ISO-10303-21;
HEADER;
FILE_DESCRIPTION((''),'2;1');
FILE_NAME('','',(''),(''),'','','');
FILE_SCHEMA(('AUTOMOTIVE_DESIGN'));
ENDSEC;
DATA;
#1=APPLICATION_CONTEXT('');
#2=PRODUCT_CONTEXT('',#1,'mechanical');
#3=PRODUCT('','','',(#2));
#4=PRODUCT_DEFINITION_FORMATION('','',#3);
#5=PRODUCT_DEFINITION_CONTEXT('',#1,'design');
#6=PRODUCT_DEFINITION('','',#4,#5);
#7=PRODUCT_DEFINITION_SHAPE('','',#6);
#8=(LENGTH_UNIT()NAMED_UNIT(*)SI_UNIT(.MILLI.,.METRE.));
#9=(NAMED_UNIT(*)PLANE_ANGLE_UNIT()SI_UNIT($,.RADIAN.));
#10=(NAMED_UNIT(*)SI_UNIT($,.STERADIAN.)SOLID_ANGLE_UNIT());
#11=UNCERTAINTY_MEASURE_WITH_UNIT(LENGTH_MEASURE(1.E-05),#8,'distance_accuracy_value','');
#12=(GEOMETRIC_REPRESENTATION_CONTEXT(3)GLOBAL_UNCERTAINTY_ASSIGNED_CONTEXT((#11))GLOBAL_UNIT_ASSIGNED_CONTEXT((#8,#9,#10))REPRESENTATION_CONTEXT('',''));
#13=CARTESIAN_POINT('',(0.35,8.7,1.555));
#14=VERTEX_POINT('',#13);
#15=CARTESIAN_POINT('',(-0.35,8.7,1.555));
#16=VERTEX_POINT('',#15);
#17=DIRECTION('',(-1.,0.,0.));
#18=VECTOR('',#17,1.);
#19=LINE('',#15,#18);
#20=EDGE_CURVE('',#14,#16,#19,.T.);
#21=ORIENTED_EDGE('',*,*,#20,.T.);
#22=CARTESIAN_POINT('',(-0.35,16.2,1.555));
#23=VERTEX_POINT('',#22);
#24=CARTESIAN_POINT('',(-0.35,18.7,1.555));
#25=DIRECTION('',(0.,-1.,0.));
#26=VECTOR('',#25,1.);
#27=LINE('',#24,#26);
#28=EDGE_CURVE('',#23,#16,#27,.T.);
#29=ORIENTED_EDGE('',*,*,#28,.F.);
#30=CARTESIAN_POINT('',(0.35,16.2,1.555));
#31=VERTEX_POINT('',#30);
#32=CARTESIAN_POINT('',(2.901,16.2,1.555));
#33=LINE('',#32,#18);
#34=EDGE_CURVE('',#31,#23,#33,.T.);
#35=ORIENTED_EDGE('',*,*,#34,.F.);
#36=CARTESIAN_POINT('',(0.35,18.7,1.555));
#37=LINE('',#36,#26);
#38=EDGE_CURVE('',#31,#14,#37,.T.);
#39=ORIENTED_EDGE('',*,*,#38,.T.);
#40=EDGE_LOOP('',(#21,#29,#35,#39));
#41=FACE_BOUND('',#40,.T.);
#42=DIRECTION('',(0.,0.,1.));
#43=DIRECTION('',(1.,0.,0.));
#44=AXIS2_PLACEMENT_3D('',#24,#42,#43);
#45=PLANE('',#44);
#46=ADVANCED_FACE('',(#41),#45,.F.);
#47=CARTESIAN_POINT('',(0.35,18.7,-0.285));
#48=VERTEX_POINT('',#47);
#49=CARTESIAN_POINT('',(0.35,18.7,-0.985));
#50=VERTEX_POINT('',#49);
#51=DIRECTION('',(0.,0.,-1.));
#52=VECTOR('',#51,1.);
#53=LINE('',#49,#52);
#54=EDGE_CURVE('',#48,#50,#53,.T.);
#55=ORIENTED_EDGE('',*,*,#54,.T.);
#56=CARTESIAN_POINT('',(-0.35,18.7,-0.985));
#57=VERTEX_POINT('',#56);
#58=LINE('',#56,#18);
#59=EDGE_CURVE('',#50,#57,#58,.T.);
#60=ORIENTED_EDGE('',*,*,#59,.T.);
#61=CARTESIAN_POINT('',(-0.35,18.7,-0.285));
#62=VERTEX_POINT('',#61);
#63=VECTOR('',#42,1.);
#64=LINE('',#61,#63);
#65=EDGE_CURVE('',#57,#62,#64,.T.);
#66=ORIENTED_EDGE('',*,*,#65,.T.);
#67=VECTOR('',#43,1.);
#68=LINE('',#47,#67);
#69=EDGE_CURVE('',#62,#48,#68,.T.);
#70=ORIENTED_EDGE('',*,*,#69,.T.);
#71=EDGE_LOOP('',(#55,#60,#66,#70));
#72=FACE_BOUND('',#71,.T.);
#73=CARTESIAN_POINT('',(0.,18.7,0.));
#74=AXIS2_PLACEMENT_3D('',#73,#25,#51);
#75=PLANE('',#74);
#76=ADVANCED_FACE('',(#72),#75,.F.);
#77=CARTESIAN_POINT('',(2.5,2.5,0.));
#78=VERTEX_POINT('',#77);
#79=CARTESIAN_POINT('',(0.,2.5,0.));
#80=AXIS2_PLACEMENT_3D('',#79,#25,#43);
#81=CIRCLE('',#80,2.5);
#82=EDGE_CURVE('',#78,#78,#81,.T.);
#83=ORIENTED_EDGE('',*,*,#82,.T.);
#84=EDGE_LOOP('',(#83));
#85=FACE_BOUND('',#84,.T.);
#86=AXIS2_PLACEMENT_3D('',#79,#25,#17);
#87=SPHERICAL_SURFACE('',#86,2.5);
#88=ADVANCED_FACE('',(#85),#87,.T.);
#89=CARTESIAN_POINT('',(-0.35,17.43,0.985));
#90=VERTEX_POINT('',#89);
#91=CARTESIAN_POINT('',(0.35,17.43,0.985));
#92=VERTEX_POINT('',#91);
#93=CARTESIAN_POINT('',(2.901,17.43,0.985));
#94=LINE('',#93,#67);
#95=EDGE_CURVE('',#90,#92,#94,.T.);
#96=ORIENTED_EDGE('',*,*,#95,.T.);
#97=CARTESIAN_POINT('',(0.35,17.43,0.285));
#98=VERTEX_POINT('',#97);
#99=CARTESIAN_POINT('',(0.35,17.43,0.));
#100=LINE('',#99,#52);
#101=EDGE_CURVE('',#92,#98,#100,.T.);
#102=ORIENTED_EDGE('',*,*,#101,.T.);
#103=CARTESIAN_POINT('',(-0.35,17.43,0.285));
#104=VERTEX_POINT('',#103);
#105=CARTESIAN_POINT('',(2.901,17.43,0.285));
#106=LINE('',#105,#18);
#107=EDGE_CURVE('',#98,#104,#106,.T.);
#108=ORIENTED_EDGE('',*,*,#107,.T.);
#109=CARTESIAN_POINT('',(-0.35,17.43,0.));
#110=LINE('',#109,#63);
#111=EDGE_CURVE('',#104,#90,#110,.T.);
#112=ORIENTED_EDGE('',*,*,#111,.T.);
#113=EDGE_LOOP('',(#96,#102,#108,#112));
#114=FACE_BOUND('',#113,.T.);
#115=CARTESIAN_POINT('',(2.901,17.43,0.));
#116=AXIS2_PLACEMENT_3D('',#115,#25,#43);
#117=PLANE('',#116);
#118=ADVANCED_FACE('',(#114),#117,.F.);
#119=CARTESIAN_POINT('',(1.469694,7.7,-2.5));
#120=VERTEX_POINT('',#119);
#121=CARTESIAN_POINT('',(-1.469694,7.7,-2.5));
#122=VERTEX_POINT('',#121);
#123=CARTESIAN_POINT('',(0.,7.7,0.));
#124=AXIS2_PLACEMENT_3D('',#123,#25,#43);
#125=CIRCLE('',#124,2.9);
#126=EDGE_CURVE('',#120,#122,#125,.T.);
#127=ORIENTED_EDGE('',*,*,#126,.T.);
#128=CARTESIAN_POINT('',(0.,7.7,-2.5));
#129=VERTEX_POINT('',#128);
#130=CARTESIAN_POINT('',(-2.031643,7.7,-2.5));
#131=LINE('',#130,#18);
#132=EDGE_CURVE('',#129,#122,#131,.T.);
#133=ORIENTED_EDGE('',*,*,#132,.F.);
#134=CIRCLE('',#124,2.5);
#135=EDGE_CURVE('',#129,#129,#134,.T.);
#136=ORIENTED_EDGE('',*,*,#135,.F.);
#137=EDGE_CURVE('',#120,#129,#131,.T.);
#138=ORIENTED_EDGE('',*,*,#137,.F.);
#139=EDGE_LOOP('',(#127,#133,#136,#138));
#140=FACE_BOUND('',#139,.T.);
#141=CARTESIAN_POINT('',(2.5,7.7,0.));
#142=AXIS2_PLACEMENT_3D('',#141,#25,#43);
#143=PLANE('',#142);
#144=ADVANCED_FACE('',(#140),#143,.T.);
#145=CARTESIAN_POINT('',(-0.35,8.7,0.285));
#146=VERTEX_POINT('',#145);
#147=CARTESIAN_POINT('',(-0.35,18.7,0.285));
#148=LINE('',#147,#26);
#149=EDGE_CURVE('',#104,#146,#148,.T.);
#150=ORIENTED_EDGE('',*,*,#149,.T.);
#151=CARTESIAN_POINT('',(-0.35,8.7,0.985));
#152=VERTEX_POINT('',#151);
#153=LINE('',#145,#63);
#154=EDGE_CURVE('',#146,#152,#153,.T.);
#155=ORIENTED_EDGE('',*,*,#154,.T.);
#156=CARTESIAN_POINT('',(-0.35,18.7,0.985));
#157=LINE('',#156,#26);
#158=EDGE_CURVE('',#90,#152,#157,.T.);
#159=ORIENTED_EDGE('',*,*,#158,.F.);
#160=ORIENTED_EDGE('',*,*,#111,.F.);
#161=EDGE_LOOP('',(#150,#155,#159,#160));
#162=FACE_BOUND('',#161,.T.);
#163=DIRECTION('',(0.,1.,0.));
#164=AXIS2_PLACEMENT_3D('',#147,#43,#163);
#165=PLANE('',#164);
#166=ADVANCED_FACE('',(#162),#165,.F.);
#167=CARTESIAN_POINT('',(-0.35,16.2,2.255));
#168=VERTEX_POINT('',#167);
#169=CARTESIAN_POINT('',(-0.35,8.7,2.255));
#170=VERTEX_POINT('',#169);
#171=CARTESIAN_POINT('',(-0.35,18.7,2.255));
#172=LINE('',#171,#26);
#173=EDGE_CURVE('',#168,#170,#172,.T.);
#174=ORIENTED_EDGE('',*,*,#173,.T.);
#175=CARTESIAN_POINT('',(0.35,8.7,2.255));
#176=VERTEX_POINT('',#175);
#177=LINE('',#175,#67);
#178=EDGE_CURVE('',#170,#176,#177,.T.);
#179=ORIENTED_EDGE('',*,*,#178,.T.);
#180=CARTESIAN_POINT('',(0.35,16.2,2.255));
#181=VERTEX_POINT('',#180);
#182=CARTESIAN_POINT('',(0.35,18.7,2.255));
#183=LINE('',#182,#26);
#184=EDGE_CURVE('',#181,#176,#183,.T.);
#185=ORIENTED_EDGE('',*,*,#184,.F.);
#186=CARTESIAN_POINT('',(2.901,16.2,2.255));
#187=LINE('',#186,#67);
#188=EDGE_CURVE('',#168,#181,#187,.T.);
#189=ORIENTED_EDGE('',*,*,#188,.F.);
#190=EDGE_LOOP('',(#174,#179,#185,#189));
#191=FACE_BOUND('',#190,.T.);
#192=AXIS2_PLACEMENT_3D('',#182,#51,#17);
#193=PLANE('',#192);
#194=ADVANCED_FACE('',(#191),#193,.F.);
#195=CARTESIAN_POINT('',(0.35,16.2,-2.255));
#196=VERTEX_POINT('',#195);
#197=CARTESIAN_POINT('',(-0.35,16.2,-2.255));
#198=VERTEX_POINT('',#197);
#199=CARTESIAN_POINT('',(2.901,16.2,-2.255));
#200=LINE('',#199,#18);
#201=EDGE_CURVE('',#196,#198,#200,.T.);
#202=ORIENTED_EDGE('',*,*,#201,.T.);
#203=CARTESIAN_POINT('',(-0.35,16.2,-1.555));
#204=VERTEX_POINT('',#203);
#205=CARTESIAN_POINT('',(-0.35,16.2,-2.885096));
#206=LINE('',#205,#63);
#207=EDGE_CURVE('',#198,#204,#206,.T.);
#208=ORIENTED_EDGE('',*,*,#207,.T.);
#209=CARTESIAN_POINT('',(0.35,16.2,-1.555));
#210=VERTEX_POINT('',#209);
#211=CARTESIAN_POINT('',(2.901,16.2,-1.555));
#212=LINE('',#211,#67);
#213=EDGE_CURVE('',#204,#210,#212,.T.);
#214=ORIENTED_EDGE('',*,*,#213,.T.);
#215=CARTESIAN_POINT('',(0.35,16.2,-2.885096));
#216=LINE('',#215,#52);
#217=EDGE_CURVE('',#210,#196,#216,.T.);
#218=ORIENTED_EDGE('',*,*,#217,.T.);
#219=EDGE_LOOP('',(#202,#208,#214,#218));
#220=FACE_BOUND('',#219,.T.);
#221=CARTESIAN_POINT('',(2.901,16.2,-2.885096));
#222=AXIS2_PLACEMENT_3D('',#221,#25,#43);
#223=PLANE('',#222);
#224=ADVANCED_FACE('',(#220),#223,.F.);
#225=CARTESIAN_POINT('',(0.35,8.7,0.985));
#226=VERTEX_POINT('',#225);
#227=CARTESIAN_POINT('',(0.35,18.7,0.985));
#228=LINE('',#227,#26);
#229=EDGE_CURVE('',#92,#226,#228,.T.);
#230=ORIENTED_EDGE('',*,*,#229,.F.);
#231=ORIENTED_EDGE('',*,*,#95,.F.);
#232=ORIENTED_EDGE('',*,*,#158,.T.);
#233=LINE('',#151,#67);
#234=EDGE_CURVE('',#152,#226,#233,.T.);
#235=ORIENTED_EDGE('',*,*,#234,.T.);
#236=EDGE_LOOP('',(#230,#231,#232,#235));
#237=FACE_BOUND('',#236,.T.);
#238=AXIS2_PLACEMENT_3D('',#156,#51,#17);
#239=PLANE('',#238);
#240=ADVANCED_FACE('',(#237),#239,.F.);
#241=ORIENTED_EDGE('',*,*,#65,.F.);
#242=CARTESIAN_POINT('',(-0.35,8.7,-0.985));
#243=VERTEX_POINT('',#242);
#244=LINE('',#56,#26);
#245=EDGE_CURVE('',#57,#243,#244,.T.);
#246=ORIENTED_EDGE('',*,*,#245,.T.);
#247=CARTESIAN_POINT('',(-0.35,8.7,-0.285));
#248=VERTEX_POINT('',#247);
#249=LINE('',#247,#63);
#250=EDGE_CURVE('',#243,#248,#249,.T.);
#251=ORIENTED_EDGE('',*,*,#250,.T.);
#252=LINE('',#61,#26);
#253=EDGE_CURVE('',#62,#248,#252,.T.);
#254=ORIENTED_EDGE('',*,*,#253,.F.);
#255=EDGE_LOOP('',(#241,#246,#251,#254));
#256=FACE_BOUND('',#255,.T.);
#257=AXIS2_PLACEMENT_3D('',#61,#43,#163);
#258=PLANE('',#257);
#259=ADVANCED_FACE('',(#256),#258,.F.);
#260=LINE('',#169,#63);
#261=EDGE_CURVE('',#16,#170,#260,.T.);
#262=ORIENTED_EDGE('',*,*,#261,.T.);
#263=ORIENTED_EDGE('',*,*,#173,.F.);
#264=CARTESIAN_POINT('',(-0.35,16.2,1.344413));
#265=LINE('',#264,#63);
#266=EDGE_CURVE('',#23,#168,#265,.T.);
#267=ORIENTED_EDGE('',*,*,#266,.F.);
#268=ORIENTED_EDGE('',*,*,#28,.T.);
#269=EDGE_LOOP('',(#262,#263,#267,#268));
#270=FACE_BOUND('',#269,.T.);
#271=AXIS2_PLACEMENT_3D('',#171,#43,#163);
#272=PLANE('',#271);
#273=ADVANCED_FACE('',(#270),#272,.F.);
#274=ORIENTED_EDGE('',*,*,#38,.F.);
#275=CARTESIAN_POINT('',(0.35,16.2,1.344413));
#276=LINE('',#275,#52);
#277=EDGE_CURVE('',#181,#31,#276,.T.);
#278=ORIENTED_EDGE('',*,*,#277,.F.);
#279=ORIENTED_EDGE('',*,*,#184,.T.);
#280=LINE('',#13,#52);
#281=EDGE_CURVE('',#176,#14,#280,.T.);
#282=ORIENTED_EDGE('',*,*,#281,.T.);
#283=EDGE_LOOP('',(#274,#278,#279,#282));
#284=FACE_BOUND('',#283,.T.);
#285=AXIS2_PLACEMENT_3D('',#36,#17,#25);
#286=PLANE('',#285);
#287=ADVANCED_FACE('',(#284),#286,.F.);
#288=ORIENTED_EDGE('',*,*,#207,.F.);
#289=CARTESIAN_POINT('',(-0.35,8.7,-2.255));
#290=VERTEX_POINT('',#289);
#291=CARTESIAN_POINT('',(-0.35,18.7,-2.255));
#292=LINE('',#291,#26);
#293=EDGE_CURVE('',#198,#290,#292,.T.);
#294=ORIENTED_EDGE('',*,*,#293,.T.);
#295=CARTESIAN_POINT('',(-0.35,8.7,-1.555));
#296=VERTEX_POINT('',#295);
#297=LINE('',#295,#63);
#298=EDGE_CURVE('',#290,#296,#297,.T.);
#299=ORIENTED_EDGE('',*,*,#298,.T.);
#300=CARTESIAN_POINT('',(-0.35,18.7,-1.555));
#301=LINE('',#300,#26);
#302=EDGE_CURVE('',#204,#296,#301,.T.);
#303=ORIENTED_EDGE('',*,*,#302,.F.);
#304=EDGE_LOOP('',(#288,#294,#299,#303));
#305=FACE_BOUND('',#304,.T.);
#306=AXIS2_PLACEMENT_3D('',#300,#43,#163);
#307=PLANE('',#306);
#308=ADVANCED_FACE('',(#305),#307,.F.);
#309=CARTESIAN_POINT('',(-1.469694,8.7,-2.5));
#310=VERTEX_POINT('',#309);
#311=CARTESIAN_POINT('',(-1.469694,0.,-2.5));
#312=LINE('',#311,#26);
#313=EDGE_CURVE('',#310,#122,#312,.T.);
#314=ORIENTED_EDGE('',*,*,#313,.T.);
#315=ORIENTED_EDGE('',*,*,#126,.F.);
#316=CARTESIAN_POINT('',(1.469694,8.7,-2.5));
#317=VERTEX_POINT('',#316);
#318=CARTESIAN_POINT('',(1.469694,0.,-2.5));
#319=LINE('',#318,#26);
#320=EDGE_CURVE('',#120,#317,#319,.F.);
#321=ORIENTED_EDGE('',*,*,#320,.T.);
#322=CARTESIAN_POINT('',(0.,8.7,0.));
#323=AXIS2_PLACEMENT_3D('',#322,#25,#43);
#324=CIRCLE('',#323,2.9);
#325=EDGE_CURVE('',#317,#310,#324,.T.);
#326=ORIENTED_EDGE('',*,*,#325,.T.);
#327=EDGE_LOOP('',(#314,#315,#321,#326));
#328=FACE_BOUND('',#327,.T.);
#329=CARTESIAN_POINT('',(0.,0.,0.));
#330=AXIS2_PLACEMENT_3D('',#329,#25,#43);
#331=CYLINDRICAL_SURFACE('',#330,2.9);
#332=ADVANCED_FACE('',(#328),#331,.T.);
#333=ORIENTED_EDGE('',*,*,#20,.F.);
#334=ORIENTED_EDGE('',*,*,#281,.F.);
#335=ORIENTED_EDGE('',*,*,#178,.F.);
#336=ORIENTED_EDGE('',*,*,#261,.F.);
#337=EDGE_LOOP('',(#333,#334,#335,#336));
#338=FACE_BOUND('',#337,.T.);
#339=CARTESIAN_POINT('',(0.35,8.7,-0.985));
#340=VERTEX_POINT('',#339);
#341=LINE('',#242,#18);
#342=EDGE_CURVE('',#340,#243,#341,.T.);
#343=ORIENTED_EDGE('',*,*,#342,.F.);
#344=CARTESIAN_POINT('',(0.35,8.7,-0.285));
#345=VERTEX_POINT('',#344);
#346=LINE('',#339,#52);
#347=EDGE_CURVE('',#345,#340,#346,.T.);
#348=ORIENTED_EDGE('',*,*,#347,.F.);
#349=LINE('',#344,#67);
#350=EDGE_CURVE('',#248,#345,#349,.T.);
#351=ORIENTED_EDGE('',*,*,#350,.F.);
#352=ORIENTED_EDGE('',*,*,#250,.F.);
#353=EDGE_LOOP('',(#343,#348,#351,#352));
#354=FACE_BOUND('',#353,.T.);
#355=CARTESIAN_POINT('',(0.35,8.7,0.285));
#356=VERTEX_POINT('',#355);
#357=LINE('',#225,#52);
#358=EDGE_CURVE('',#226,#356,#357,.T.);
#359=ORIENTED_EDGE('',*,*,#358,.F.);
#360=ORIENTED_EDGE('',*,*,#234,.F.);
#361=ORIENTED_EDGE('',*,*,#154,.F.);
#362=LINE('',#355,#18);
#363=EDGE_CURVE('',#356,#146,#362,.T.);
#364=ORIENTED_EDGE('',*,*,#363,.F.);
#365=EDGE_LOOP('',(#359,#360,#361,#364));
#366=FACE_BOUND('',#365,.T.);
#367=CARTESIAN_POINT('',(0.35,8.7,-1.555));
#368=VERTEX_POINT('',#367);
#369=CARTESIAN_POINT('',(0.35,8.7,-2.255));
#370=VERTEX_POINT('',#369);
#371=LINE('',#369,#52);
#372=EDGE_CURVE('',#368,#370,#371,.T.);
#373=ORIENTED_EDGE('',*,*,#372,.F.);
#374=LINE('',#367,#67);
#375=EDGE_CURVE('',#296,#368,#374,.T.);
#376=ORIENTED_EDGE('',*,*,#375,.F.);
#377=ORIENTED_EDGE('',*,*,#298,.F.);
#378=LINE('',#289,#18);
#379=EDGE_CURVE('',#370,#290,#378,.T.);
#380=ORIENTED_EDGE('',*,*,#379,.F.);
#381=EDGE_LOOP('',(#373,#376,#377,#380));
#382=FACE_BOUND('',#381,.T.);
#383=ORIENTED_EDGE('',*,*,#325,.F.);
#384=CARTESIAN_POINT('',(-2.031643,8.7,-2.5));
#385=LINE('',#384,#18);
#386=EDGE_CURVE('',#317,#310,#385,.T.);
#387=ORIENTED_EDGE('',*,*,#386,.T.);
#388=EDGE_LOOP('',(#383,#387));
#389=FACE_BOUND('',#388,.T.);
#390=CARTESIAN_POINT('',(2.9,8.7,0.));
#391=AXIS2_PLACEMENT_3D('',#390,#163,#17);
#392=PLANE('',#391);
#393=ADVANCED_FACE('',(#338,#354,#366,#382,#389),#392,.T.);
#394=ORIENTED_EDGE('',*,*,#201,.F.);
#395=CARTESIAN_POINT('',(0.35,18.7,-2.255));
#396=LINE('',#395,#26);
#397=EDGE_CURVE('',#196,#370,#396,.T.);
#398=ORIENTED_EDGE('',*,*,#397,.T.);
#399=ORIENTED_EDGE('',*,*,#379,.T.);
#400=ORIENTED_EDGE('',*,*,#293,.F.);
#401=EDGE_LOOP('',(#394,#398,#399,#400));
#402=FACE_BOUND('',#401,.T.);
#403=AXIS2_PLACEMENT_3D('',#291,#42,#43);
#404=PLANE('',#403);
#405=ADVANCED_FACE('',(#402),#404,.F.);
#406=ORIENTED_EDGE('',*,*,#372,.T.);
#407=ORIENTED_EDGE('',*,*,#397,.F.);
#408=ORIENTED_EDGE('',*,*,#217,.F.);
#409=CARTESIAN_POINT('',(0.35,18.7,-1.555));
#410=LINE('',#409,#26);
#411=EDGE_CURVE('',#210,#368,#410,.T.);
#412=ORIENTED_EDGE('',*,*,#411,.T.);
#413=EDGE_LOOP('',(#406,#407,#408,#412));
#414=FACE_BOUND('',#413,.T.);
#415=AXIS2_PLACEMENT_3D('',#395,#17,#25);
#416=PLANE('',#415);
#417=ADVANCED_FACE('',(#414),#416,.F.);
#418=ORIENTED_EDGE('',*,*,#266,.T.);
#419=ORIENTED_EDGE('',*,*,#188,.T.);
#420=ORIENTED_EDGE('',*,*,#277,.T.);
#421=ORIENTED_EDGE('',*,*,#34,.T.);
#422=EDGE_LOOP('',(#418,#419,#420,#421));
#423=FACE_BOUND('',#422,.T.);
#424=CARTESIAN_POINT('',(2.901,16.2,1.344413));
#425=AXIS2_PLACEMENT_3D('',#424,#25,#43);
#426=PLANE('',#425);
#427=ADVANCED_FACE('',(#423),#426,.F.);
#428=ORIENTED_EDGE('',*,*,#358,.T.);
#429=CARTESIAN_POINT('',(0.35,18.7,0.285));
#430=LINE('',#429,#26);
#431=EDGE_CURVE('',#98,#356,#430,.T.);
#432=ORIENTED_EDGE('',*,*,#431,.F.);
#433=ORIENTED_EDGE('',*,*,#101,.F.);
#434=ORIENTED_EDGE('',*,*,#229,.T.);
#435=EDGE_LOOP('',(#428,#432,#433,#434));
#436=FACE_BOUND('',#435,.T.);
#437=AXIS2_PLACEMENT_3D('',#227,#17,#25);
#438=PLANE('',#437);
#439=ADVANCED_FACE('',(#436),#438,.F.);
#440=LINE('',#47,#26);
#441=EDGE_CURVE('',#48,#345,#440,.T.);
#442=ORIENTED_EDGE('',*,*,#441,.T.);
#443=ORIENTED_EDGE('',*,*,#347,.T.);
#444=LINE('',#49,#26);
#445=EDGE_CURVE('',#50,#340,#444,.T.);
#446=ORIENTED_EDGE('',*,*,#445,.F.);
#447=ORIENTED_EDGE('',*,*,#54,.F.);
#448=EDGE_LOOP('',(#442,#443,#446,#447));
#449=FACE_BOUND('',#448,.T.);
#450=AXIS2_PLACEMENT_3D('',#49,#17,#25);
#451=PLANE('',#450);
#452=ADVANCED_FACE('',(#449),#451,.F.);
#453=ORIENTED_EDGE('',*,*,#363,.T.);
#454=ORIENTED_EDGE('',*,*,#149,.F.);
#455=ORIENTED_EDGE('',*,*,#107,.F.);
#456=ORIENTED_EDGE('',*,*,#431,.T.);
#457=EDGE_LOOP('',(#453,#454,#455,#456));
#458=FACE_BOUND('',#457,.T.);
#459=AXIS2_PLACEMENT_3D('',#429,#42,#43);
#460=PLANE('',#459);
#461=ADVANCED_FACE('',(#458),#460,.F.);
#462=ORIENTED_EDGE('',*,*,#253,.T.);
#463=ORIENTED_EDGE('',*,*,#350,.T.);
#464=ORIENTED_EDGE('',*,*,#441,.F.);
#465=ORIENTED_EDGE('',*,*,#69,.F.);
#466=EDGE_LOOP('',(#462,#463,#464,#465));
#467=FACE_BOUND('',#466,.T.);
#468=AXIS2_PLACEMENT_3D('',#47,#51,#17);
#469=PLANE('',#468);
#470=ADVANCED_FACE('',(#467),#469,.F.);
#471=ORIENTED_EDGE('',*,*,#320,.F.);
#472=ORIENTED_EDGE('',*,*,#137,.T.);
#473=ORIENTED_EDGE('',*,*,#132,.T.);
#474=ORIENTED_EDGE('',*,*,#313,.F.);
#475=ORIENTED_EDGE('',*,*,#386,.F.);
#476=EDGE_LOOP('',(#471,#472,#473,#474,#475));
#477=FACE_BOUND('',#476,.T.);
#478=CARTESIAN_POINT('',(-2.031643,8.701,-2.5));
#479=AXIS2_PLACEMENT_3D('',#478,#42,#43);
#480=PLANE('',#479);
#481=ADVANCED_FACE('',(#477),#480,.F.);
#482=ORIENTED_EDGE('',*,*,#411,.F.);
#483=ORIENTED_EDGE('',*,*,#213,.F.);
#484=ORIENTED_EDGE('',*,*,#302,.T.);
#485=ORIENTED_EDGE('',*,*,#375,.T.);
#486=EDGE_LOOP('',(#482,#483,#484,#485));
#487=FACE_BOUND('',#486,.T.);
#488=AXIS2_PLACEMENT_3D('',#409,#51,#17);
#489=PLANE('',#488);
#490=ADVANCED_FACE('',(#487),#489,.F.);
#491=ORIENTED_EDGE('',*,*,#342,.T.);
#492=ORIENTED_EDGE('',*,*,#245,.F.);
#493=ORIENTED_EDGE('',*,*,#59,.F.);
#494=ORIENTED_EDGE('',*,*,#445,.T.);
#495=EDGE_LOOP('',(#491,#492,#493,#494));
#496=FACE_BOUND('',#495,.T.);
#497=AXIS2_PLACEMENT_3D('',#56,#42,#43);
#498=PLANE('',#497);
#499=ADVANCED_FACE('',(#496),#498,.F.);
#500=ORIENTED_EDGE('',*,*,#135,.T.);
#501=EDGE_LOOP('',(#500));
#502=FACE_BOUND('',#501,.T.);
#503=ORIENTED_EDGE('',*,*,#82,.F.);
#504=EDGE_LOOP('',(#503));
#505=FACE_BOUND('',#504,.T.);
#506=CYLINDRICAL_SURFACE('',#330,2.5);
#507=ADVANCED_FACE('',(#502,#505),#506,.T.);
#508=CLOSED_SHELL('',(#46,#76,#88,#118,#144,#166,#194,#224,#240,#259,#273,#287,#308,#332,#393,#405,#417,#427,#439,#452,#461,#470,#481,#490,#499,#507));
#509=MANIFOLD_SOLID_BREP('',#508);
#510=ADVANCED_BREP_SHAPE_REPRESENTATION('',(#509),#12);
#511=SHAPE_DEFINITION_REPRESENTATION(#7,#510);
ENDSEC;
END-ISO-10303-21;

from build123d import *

# Parameters (mm, degrees)
ENL_V_MAT_EXTRU_1_REACH = 10.724
ESQUISSE3_W             = 0.7
ESQUISSE3_H             = 0.7
BOSS_EXTRU_1_DEPTH      = 10
ENL_V_START             = -3.25
ENL_V_MAT_EXTRU_2_DEPTH = 5.8


with BuildPart() as part:
    # Esquisse1 → Révolution1 (revolve)
    with BuildSketch(Plane.XY):
        with BuildLine():
            Line((2.5, 7.7), (2.5, 2.5))
            ThreePointArc((2.5, 2.5), (1.767766953, 0.732233047), (0, 0))
            Line((0, 0), (0, 8.7))
            Line((0, 8.7), (2.9, 8.7))
            Line((2.9, 8.7), (2.9, 7.7))
            Line((2.9, 7.7), (2.5, 7.7))
        make_face()
    revolve(axis=Axis((0, 0, 0), (0, 1, 0)))

    # Esquisse2 → Enlèv. mat.-Extru.1 (cut, up to next)
    with BuildSketch(Plane(origin=(0, 7.7, 0), x_dir=(-1, 0, 0), z_dir=(0, -1, 0)), mode=Mode.PRIVATE) as enl_v_mat_extru_1_sk1:
        Polygon((2.031643218, 2.5), (-2.119175806, 2.5), (-0.304277426, 5.41579693), align=None)
    enl_v_mat_extru_1_tool1 = extrude(enl_v_mat_extru_1_sk1.sketch, amount=-ENL_V_MAT_EXTRU_1_REACH, mode=Mode.PRIVATE) & part.part
    add(enl_v_mat_extru_1_tool1.solids().sort_by_distance((0.130603, 7.7, -3.471932))[0], mode=Mode.SUBTRACT)

    # Esquisse3 → Boss.-Extru.1 (add)
    with BuildSketch(Plane(origin=(0, 8.7, 0), x_dir=(1, 0, 0), z_dir=(0, 1, 0))):
        with Locations((0, 1.905)):
            Rectangle(ESQUISSE3_W, ESQUISSE3_H)
        with Locations((0, -0.635)):
            Rectangle(ESQUISSE3_W, ESQUISSE3_H)
        with Locations((0, -1.905)):
            Rectangle(ESQUISSE3_W, ESQUISSE3_H)
        with Locations((0, 0.635)):
            Rectangle(ESQUISSE3_W, ESQUISSE3_H)
    extrude(amount=BOSS_EXTRU_1_DEPTH)

    # Esquisse4 → Enlèv. mat.-Extru.2 (cut)
    with BuildSketch(Plane.ZY.offset(0.35).offset(ENL_V_START)):
        Polygon((-2.885095567, 16.2), (-1.265657514, 16.2), (-1.265657514, 33.921907916), (0, 33.921907916), (0, 17.43), (1.344412991, 17.43), (1.344412991, 16.2), (2.897512796, 16.2), (2.897512796, 34.676886987), (-2.885095567, 34.676886987), align=None)
    extrude(amount=ENL_V_MAT_EXTRU_2_DEPTH, mode=Mode.SUBTRACT)


solid = part.part
